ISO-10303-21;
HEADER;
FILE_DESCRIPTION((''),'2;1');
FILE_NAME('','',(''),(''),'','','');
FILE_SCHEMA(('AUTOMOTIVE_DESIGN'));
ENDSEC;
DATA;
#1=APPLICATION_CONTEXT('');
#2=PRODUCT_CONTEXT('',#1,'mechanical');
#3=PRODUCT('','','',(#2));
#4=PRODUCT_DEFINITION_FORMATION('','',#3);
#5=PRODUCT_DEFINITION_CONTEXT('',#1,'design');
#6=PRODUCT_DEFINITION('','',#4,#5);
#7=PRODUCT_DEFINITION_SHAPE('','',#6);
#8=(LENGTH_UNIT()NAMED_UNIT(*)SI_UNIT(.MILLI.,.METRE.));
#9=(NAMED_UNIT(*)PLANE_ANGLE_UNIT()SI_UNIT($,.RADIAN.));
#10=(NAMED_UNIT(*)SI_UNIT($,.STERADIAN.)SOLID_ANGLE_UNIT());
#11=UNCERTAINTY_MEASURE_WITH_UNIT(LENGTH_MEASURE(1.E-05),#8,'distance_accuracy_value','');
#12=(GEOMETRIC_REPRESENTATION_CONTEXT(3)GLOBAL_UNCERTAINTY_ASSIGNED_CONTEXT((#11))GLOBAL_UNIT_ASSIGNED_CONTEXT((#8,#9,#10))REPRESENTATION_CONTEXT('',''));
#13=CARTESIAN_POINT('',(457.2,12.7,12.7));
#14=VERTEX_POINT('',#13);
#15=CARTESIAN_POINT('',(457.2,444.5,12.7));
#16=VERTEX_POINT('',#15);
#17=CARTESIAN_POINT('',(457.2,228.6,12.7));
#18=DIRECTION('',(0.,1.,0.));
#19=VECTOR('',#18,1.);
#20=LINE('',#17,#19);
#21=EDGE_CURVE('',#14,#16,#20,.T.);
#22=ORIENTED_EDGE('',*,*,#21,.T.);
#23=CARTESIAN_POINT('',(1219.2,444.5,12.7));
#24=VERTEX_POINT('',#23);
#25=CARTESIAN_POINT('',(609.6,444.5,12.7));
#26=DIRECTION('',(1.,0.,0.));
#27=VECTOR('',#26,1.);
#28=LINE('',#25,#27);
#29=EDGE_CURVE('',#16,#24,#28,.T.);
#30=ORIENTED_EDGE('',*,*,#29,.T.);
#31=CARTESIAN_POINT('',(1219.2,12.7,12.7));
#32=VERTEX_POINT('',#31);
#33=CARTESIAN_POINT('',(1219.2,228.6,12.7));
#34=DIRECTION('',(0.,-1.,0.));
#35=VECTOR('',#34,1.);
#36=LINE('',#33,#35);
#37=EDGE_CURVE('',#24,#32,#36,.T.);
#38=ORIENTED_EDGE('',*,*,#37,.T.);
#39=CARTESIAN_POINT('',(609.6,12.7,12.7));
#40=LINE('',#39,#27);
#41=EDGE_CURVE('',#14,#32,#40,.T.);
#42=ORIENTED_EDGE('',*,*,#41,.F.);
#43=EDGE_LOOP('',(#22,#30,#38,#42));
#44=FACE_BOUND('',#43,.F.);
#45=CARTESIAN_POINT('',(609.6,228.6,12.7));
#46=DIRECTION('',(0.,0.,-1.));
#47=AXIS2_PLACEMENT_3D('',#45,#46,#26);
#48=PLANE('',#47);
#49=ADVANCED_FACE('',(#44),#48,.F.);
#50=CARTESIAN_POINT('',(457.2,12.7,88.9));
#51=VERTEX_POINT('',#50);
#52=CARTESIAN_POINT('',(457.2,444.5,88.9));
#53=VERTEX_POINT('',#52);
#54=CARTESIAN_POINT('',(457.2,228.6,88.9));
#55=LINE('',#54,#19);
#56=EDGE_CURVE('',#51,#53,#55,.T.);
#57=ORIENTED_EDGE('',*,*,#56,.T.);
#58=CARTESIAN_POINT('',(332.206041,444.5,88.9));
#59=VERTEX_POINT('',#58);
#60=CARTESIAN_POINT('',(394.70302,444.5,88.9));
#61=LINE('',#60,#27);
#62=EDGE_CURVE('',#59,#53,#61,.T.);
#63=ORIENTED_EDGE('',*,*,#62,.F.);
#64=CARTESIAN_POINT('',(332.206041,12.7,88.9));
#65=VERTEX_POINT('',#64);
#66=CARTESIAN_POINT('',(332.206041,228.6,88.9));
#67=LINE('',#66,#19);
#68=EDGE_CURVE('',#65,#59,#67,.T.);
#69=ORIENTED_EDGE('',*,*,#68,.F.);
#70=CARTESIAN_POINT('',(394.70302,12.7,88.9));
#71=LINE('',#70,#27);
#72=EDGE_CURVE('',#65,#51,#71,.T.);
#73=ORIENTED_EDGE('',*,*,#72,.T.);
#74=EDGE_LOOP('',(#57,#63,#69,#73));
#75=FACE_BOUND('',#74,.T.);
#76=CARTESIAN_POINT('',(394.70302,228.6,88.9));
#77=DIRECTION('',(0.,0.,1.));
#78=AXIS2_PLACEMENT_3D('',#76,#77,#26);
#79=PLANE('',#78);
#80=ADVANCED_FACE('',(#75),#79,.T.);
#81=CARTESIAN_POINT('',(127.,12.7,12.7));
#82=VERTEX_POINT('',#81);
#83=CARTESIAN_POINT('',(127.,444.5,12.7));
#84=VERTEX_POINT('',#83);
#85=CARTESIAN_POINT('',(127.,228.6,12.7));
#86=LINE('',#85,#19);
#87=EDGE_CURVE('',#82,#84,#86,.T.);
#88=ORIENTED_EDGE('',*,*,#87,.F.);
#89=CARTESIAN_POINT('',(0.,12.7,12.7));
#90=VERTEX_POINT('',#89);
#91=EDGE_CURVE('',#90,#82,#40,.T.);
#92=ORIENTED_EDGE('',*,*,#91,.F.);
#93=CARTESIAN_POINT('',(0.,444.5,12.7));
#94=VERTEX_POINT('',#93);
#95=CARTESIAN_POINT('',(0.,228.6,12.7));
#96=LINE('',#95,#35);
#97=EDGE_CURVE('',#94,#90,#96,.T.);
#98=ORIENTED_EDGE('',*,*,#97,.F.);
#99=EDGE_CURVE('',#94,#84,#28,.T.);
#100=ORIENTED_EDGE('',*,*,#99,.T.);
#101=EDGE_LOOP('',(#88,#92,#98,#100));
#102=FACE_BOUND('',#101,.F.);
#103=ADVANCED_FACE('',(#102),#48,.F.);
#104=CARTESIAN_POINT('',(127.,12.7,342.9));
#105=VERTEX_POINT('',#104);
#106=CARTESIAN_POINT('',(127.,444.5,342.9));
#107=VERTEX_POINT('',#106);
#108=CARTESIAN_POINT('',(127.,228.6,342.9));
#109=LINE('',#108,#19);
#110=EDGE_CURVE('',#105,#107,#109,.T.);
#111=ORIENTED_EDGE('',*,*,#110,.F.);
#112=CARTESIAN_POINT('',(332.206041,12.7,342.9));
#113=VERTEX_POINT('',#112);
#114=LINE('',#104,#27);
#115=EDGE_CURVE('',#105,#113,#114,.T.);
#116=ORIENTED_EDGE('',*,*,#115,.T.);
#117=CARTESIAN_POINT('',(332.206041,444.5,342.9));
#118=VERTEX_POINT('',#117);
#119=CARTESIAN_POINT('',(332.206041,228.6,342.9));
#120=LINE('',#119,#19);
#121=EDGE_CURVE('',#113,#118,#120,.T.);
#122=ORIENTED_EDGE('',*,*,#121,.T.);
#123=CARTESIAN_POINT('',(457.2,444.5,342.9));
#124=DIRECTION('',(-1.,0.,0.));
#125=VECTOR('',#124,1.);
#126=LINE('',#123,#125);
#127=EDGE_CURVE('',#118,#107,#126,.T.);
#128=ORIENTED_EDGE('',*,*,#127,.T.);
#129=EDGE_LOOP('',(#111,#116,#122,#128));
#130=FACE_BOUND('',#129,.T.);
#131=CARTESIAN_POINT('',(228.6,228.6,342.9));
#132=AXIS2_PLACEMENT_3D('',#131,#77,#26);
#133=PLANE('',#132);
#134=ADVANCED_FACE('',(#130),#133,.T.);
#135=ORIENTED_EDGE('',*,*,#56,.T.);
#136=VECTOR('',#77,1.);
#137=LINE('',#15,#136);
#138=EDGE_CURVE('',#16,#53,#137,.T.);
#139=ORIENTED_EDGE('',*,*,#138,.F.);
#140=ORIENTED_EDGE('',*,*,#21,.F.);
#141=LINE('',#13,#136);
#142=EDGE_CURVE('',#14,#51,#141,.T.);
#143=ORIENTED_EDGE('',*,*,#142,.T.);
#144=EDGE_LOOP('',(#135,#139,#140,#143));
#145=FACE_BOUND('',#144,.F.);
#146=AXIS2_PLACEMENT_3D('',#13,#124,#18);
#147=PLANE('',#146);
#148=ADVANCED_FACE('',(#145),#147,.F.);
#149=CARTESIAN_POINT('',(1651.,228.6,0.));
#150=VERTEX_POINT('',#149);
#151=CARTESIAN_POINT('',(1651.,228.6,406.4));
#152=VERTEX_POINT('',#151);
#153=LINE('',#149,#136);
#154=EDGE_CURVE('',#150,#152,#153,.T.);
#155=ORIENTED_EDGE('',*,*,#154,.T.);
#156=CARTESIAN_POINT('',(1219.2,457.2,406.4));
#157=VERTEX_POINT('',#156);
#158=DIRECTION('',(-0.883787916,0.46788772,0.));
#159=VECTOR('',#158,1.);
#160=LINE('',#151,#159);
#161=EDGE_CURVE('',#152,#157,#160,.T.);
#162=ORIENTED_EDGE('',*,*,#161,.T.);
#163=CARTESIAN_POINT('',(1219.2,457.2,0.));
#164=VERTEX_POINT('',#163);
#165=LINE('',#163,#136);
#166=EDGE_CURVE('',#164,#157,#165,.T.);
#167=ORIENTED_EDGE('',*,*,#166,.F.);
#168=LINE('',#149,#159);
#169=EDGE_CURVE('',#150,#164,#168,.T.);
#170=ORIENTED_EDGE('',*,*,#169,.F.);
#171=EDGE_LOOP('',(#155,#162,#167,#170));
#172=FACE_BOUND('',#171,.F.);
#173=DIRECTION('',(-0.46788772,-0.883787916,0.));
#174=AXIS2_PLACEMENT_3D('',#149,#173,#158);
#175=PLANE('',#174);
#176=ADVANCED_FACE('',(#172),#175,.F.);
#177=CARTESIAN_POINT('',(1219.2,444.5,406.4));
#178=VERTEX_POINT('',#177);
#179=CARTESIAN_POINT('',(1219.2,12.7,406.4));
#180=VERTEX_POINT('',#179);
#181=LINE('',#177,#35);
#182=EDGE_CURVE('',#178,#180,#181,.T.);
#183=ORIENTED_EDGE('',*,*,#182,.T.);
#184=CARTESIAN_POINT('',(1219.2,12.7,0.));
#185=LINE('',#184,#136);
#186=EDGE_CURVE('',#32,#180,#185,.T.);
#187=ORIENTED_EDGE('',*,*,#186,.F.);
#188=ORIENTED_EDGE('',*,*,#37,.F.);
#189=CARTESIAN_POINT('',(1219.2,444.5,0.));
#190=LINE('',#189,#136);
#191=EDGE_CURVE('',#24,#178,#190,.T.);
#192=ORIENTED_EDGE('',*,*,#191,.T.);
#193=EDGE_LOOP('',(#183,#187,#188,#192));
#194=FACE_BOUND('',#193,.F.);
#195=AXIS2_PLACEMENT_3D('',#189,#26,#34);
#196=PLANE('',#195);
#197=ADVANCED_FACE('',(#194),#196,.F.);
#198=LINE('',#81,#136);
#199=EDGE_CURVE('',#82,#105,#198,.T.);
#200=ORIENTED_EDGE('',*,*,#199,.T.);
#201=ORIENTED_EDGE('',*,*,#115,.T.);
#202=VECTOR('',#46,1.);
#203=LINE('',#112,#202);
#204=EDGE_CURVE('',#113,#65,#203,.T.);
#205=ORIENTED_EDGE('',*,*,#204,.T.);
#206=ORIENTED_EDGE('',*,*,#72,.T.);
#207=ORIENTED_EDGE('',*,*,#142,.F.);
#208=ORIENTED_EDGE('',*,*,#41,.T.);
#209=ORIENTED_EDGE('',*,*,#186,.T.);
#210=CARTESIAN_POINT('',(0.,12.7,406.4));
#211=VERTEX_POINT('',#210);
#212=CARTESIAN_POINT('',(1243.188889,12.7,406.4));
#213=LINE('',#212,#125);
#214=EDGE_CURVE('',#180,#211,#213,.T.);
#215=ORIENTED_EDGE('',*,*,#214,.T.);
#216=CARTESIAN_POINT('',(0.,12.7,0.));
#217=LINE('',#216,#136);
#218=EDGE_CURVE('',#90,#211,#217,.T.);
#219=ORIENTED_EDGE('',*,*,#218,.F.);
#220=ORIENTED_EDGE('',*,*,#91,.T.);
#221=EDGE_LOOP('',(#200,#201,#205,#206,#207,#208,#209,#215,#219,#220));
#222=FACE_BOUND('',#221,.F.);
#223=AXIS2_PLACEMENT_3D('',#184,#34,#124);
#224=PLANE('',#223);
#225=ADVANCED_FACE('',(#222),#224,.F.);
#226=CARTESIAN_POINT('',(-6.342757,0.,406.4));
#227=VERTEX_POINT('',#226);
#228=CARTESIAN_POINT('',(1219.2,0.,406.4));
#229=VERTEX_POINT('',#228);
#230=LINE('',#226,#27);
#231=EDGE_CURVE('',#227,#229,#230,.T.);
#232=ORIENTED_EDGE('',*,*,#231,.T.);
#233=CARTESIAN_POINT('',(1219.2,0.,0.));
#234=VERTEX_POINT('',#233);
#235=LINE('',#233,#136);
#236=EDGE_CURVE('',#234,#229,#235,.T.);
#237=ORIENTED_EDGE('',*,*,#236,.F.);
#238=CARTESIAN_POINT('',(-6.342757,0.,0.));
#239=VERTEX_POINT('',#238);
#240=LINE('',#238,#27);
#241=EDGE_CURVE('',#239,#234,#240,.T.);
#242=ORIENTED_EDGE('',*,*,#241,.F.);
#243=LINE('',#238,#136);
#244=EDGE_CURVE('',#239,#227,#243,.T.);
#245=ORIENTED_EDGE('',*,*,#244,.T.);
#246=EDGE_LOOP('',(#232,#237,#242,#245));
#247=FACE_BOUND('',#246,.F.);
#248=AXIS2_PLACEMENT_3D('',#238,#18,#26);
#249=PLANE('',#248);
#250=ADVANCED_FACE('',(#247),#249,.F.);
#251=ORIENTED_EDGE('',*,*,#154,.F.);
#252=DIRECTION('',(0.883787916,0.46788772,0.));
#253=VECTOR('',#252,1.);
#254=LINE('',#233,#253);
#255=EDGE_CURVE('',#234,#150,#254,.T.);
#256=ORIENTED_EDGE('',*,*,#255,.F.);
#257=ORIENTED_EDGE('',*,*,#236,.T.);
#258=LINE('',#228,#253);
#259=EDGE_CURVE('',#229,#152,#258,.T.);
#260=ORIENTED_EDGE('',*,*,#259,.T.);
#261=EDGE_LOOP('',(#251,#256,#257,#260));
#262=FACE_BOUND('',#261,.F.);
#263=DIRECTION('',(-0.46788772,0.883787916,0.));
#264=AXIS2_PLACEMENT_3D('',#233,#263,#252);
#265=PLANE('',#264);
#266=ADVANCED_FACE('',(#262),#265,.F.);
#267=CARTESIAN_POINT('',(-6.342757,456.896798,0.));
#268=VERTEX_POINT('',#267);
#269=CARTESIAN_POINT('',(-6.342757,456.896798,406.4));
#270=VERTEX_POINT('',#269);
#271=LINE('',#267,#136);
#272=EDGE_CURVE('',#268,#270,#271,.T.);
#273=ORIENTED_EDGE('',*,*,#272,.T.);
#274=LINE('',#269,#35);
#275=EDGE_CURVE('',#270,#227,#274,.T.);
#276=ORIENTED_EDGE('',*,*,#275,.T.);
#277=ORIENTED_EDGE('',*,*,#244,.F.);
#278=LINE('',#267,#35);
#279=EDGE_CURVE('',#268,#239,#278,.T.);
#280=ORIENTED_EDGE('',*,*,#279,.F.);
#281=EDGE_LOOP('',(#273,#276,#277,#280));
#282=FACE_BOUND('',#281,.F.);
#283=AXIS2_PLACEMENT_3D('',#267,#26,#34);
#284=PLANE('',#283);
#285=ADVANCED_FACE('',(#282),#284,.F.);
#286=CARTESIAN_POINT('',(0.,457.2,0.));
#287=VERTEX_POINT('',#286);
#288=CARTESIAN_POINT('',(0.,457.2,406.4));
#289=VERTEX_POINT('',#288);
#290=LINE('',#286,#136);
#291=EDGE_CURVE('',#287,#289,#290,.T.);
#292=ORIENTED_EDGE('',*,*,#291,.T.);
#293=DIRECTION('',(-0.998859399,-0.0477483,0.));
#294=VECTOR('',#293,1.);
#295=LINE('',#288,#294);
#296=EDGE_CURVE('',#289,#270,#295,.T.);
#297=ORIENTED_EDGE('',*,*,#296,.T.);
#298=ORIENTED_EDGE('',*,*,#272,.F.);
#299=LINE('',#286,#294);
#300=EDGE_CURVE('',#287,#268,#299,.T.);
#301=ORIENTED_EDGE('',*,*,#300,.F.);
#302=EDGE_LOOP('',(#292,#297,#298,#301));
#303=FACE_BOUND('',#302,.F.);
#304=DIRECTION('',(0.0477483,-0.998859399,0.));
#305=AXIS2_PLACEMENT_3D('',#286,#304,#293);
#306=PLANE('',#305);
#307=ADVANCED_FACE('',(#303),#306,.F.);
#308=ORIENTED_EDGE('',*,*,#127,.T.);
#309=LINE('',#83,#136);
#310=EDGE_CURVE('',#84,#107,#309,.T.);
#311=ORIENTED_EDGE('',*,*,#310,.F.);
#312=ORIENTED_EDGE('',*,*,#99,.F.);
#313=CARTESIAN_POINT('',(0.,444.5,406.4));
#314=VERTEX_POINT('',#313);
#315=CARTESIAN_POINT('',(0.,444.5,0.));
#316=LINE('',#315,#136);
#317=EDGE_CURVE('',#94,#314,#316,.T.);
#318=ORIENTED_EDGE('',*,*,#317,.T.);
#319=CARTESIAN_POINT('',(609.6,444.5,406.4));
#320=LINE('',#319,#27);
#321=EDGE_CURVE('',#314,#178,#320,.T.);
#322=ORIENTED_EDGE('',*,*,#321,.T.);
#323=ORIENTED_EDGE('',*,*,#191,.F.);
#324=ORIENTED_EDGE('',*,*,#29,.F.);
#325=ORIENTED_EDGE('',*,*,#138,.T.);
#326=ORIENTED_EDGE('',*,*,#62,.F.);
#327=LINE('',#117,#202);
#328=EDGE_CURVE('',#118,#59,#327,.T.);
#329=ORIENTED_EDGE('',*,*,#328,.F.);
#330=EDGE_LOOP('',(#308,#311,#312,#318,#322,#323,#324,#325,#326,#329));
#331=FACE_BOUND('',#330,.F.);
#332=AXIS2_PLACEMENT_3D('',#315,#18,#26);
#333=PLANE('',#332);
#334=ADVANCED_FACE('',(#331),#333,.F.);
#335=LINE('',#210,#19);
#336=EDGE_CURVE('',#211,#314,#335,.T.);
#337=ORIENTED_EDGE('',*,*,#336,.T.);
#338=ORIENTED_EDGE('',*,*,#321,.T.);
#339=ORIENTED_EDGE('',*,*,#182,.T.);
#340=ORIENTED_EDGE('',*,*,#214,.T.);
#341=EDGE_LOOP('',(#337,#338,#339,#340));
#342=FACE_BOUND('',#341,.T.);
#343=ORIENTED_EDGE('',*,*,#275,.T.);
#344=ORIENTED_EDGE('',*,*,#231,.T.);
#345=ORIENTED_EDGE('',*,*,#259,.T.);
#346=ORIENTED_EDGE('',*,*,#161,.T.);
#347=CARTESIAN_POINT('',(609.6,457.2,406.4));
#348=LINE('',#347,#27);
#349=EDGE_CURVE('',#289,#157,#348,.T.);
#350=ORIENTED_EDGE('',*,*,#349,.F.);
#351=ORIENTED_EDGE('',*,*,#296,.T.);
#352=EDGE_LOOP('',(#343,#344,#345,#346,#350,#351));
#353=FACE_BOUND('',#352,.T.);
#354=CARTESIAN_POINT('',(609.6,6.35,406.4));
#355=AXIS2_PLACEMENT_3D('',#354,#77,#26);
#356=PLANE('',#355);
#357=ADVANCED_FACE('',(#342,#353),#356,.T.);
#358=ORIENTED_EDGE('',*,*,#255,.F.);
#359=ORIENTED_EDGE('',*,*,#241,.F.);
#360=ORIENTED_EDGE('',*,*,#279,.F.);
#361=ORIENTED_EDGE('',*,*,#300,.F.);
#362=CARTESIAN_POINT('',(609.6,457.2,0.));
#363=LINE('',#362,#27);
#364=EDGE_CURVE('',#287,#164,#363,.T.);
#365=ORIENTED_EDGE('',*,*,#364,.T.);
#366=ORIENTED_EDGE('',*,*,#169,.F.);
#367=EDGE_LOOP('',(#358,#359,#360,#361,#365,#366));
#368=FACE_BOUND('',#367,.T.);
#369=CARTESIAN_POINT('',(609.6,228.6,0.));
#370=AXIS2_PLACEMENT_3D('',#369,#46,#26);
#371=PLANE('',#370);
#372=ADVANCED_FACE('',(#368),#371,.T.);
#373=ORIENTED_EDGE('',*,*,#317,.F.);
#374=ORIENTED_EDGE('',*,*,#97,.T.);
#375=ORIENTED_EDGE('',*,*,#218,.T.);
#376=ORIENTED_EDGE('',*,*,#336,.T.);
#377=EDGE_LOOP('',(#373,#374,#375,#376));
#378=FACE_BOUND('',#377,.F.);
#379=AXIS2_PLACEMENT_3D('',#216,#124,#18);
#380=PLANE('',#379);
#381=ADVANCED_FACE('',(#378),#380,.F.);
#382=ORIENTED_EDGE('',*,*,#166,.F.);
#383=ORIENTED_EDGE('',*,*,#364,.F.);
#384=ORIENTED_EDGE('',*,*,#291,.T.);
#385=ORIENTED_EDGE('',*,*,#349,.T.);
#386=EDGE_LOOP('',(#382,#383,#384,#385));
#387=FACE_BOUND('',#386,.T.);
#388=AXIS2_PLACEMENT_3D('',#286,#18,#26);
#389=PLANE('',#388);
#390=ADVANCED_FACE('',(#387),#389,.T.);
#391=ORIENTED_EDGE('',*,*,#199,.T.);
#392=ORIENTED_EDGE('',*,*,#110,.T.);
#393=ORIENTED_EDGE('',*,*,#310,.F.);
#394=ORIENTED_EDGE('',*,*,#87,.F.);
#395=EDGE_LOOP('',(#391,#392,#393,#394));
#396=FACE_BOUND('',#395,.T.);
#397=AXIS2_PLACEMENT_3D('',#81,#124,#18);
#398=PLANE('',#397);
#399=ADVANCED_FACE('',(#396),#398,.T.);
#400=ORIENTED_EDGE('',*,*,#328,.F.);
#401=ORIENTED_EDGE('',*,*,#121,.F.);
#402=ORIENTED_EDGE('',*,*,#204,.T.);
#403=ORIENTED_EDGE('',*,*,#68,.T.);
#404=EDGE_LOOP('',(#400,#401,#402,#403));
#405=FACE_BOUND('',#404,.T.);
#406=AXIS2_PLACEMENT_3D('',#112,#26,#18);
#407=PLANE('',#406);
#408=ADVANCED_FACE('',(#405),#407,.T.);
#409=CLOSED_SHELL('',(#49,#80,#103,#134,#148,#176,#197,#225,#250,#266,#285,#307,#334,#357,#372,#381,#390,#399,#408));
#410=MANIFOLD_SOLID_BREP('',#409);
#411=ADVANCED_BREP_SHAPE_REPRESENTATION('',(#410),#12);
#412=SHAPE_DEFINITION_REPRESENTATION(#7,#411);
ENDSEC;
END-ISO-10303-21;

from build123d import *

# Parameters (mm, degrees)
F0_W     = 1219.2
F0_H     = 12.7
F1_DEPTH = 406.4
F2_W     = 1219.2
F2_H     = 431.8
F3_DEPTH = 12.7
F4_W     = 203.2
F4_H     = 431.8
F4_W_2   = 127
F5_DEPTH = 330.2
F6_W     = 124.9939593792
F6_H     = 431.8
F7_DEPTH = 254


with BuildPart() as f1:
    # F0 (on Top) → F1 (new body)
    with BuildSketch(Plane.XY):
        with Locations((609.6, 6.35)):
            Rectangle(F0_W, F0_H)
        Polygon((-6.3427571863, 0), (0, 0), (0, 12.7), (0, 444.5), (0, 457.2), (-6.3427571863, 456.896798293), align=None)
        Polygon((1219.2, 12.7), (1219.2, 0), (1243.1888888889, 12.7), align=None)
        Polygon((1219.2, 12.7), (1243.1888888889, 12.7), (1651, 228.6), (1243.1888888889, 444.5), (1219.2, 444.5), align=None)
        with Locations((609.6, 450.85)):
            Rectangle(F0_W, F0_H)
        Polygon((1219.2, 457.2), (1219.2, 444.5), (1243.1888888889, 444.5), align=None)
    extrude(amount=F1_DEPTH)

    # F2 (on face) → F3 (join)
    with BuildSketch(Plane(origin=(0, 0, 0), x_dir=(1, 0, 0), z_dir=(0, 0, -1))):
        with Locations((609.6, -228.6)):
            Rectangle(F2_W, F2_H)
    extrude(amount=-F3_DEPTH)

    # F4 (on face) → F5 (join)
    with BuildSketch(Plane.XY.offset(12.7)):
        with Locations((228.6, 228.6)):
            Rectangle(F4_W, F4_H)
        with Locations((393.7, 228.6)):
            Rectangle(F4_W_2, F4_H)
    extrude(amount=F5_DEPTH)

    # F6 (on face) → F7 (cut)
    with BuildSketch(Plane.XY.offset(342.9)):
        with Locations((394.7030203104, 228.6)):
            Rectangle(F6_W, F6_H)
    extrude(amount=-F7_DEPTH, mode=Mode.SUBTRACT)


solid = f1.part
